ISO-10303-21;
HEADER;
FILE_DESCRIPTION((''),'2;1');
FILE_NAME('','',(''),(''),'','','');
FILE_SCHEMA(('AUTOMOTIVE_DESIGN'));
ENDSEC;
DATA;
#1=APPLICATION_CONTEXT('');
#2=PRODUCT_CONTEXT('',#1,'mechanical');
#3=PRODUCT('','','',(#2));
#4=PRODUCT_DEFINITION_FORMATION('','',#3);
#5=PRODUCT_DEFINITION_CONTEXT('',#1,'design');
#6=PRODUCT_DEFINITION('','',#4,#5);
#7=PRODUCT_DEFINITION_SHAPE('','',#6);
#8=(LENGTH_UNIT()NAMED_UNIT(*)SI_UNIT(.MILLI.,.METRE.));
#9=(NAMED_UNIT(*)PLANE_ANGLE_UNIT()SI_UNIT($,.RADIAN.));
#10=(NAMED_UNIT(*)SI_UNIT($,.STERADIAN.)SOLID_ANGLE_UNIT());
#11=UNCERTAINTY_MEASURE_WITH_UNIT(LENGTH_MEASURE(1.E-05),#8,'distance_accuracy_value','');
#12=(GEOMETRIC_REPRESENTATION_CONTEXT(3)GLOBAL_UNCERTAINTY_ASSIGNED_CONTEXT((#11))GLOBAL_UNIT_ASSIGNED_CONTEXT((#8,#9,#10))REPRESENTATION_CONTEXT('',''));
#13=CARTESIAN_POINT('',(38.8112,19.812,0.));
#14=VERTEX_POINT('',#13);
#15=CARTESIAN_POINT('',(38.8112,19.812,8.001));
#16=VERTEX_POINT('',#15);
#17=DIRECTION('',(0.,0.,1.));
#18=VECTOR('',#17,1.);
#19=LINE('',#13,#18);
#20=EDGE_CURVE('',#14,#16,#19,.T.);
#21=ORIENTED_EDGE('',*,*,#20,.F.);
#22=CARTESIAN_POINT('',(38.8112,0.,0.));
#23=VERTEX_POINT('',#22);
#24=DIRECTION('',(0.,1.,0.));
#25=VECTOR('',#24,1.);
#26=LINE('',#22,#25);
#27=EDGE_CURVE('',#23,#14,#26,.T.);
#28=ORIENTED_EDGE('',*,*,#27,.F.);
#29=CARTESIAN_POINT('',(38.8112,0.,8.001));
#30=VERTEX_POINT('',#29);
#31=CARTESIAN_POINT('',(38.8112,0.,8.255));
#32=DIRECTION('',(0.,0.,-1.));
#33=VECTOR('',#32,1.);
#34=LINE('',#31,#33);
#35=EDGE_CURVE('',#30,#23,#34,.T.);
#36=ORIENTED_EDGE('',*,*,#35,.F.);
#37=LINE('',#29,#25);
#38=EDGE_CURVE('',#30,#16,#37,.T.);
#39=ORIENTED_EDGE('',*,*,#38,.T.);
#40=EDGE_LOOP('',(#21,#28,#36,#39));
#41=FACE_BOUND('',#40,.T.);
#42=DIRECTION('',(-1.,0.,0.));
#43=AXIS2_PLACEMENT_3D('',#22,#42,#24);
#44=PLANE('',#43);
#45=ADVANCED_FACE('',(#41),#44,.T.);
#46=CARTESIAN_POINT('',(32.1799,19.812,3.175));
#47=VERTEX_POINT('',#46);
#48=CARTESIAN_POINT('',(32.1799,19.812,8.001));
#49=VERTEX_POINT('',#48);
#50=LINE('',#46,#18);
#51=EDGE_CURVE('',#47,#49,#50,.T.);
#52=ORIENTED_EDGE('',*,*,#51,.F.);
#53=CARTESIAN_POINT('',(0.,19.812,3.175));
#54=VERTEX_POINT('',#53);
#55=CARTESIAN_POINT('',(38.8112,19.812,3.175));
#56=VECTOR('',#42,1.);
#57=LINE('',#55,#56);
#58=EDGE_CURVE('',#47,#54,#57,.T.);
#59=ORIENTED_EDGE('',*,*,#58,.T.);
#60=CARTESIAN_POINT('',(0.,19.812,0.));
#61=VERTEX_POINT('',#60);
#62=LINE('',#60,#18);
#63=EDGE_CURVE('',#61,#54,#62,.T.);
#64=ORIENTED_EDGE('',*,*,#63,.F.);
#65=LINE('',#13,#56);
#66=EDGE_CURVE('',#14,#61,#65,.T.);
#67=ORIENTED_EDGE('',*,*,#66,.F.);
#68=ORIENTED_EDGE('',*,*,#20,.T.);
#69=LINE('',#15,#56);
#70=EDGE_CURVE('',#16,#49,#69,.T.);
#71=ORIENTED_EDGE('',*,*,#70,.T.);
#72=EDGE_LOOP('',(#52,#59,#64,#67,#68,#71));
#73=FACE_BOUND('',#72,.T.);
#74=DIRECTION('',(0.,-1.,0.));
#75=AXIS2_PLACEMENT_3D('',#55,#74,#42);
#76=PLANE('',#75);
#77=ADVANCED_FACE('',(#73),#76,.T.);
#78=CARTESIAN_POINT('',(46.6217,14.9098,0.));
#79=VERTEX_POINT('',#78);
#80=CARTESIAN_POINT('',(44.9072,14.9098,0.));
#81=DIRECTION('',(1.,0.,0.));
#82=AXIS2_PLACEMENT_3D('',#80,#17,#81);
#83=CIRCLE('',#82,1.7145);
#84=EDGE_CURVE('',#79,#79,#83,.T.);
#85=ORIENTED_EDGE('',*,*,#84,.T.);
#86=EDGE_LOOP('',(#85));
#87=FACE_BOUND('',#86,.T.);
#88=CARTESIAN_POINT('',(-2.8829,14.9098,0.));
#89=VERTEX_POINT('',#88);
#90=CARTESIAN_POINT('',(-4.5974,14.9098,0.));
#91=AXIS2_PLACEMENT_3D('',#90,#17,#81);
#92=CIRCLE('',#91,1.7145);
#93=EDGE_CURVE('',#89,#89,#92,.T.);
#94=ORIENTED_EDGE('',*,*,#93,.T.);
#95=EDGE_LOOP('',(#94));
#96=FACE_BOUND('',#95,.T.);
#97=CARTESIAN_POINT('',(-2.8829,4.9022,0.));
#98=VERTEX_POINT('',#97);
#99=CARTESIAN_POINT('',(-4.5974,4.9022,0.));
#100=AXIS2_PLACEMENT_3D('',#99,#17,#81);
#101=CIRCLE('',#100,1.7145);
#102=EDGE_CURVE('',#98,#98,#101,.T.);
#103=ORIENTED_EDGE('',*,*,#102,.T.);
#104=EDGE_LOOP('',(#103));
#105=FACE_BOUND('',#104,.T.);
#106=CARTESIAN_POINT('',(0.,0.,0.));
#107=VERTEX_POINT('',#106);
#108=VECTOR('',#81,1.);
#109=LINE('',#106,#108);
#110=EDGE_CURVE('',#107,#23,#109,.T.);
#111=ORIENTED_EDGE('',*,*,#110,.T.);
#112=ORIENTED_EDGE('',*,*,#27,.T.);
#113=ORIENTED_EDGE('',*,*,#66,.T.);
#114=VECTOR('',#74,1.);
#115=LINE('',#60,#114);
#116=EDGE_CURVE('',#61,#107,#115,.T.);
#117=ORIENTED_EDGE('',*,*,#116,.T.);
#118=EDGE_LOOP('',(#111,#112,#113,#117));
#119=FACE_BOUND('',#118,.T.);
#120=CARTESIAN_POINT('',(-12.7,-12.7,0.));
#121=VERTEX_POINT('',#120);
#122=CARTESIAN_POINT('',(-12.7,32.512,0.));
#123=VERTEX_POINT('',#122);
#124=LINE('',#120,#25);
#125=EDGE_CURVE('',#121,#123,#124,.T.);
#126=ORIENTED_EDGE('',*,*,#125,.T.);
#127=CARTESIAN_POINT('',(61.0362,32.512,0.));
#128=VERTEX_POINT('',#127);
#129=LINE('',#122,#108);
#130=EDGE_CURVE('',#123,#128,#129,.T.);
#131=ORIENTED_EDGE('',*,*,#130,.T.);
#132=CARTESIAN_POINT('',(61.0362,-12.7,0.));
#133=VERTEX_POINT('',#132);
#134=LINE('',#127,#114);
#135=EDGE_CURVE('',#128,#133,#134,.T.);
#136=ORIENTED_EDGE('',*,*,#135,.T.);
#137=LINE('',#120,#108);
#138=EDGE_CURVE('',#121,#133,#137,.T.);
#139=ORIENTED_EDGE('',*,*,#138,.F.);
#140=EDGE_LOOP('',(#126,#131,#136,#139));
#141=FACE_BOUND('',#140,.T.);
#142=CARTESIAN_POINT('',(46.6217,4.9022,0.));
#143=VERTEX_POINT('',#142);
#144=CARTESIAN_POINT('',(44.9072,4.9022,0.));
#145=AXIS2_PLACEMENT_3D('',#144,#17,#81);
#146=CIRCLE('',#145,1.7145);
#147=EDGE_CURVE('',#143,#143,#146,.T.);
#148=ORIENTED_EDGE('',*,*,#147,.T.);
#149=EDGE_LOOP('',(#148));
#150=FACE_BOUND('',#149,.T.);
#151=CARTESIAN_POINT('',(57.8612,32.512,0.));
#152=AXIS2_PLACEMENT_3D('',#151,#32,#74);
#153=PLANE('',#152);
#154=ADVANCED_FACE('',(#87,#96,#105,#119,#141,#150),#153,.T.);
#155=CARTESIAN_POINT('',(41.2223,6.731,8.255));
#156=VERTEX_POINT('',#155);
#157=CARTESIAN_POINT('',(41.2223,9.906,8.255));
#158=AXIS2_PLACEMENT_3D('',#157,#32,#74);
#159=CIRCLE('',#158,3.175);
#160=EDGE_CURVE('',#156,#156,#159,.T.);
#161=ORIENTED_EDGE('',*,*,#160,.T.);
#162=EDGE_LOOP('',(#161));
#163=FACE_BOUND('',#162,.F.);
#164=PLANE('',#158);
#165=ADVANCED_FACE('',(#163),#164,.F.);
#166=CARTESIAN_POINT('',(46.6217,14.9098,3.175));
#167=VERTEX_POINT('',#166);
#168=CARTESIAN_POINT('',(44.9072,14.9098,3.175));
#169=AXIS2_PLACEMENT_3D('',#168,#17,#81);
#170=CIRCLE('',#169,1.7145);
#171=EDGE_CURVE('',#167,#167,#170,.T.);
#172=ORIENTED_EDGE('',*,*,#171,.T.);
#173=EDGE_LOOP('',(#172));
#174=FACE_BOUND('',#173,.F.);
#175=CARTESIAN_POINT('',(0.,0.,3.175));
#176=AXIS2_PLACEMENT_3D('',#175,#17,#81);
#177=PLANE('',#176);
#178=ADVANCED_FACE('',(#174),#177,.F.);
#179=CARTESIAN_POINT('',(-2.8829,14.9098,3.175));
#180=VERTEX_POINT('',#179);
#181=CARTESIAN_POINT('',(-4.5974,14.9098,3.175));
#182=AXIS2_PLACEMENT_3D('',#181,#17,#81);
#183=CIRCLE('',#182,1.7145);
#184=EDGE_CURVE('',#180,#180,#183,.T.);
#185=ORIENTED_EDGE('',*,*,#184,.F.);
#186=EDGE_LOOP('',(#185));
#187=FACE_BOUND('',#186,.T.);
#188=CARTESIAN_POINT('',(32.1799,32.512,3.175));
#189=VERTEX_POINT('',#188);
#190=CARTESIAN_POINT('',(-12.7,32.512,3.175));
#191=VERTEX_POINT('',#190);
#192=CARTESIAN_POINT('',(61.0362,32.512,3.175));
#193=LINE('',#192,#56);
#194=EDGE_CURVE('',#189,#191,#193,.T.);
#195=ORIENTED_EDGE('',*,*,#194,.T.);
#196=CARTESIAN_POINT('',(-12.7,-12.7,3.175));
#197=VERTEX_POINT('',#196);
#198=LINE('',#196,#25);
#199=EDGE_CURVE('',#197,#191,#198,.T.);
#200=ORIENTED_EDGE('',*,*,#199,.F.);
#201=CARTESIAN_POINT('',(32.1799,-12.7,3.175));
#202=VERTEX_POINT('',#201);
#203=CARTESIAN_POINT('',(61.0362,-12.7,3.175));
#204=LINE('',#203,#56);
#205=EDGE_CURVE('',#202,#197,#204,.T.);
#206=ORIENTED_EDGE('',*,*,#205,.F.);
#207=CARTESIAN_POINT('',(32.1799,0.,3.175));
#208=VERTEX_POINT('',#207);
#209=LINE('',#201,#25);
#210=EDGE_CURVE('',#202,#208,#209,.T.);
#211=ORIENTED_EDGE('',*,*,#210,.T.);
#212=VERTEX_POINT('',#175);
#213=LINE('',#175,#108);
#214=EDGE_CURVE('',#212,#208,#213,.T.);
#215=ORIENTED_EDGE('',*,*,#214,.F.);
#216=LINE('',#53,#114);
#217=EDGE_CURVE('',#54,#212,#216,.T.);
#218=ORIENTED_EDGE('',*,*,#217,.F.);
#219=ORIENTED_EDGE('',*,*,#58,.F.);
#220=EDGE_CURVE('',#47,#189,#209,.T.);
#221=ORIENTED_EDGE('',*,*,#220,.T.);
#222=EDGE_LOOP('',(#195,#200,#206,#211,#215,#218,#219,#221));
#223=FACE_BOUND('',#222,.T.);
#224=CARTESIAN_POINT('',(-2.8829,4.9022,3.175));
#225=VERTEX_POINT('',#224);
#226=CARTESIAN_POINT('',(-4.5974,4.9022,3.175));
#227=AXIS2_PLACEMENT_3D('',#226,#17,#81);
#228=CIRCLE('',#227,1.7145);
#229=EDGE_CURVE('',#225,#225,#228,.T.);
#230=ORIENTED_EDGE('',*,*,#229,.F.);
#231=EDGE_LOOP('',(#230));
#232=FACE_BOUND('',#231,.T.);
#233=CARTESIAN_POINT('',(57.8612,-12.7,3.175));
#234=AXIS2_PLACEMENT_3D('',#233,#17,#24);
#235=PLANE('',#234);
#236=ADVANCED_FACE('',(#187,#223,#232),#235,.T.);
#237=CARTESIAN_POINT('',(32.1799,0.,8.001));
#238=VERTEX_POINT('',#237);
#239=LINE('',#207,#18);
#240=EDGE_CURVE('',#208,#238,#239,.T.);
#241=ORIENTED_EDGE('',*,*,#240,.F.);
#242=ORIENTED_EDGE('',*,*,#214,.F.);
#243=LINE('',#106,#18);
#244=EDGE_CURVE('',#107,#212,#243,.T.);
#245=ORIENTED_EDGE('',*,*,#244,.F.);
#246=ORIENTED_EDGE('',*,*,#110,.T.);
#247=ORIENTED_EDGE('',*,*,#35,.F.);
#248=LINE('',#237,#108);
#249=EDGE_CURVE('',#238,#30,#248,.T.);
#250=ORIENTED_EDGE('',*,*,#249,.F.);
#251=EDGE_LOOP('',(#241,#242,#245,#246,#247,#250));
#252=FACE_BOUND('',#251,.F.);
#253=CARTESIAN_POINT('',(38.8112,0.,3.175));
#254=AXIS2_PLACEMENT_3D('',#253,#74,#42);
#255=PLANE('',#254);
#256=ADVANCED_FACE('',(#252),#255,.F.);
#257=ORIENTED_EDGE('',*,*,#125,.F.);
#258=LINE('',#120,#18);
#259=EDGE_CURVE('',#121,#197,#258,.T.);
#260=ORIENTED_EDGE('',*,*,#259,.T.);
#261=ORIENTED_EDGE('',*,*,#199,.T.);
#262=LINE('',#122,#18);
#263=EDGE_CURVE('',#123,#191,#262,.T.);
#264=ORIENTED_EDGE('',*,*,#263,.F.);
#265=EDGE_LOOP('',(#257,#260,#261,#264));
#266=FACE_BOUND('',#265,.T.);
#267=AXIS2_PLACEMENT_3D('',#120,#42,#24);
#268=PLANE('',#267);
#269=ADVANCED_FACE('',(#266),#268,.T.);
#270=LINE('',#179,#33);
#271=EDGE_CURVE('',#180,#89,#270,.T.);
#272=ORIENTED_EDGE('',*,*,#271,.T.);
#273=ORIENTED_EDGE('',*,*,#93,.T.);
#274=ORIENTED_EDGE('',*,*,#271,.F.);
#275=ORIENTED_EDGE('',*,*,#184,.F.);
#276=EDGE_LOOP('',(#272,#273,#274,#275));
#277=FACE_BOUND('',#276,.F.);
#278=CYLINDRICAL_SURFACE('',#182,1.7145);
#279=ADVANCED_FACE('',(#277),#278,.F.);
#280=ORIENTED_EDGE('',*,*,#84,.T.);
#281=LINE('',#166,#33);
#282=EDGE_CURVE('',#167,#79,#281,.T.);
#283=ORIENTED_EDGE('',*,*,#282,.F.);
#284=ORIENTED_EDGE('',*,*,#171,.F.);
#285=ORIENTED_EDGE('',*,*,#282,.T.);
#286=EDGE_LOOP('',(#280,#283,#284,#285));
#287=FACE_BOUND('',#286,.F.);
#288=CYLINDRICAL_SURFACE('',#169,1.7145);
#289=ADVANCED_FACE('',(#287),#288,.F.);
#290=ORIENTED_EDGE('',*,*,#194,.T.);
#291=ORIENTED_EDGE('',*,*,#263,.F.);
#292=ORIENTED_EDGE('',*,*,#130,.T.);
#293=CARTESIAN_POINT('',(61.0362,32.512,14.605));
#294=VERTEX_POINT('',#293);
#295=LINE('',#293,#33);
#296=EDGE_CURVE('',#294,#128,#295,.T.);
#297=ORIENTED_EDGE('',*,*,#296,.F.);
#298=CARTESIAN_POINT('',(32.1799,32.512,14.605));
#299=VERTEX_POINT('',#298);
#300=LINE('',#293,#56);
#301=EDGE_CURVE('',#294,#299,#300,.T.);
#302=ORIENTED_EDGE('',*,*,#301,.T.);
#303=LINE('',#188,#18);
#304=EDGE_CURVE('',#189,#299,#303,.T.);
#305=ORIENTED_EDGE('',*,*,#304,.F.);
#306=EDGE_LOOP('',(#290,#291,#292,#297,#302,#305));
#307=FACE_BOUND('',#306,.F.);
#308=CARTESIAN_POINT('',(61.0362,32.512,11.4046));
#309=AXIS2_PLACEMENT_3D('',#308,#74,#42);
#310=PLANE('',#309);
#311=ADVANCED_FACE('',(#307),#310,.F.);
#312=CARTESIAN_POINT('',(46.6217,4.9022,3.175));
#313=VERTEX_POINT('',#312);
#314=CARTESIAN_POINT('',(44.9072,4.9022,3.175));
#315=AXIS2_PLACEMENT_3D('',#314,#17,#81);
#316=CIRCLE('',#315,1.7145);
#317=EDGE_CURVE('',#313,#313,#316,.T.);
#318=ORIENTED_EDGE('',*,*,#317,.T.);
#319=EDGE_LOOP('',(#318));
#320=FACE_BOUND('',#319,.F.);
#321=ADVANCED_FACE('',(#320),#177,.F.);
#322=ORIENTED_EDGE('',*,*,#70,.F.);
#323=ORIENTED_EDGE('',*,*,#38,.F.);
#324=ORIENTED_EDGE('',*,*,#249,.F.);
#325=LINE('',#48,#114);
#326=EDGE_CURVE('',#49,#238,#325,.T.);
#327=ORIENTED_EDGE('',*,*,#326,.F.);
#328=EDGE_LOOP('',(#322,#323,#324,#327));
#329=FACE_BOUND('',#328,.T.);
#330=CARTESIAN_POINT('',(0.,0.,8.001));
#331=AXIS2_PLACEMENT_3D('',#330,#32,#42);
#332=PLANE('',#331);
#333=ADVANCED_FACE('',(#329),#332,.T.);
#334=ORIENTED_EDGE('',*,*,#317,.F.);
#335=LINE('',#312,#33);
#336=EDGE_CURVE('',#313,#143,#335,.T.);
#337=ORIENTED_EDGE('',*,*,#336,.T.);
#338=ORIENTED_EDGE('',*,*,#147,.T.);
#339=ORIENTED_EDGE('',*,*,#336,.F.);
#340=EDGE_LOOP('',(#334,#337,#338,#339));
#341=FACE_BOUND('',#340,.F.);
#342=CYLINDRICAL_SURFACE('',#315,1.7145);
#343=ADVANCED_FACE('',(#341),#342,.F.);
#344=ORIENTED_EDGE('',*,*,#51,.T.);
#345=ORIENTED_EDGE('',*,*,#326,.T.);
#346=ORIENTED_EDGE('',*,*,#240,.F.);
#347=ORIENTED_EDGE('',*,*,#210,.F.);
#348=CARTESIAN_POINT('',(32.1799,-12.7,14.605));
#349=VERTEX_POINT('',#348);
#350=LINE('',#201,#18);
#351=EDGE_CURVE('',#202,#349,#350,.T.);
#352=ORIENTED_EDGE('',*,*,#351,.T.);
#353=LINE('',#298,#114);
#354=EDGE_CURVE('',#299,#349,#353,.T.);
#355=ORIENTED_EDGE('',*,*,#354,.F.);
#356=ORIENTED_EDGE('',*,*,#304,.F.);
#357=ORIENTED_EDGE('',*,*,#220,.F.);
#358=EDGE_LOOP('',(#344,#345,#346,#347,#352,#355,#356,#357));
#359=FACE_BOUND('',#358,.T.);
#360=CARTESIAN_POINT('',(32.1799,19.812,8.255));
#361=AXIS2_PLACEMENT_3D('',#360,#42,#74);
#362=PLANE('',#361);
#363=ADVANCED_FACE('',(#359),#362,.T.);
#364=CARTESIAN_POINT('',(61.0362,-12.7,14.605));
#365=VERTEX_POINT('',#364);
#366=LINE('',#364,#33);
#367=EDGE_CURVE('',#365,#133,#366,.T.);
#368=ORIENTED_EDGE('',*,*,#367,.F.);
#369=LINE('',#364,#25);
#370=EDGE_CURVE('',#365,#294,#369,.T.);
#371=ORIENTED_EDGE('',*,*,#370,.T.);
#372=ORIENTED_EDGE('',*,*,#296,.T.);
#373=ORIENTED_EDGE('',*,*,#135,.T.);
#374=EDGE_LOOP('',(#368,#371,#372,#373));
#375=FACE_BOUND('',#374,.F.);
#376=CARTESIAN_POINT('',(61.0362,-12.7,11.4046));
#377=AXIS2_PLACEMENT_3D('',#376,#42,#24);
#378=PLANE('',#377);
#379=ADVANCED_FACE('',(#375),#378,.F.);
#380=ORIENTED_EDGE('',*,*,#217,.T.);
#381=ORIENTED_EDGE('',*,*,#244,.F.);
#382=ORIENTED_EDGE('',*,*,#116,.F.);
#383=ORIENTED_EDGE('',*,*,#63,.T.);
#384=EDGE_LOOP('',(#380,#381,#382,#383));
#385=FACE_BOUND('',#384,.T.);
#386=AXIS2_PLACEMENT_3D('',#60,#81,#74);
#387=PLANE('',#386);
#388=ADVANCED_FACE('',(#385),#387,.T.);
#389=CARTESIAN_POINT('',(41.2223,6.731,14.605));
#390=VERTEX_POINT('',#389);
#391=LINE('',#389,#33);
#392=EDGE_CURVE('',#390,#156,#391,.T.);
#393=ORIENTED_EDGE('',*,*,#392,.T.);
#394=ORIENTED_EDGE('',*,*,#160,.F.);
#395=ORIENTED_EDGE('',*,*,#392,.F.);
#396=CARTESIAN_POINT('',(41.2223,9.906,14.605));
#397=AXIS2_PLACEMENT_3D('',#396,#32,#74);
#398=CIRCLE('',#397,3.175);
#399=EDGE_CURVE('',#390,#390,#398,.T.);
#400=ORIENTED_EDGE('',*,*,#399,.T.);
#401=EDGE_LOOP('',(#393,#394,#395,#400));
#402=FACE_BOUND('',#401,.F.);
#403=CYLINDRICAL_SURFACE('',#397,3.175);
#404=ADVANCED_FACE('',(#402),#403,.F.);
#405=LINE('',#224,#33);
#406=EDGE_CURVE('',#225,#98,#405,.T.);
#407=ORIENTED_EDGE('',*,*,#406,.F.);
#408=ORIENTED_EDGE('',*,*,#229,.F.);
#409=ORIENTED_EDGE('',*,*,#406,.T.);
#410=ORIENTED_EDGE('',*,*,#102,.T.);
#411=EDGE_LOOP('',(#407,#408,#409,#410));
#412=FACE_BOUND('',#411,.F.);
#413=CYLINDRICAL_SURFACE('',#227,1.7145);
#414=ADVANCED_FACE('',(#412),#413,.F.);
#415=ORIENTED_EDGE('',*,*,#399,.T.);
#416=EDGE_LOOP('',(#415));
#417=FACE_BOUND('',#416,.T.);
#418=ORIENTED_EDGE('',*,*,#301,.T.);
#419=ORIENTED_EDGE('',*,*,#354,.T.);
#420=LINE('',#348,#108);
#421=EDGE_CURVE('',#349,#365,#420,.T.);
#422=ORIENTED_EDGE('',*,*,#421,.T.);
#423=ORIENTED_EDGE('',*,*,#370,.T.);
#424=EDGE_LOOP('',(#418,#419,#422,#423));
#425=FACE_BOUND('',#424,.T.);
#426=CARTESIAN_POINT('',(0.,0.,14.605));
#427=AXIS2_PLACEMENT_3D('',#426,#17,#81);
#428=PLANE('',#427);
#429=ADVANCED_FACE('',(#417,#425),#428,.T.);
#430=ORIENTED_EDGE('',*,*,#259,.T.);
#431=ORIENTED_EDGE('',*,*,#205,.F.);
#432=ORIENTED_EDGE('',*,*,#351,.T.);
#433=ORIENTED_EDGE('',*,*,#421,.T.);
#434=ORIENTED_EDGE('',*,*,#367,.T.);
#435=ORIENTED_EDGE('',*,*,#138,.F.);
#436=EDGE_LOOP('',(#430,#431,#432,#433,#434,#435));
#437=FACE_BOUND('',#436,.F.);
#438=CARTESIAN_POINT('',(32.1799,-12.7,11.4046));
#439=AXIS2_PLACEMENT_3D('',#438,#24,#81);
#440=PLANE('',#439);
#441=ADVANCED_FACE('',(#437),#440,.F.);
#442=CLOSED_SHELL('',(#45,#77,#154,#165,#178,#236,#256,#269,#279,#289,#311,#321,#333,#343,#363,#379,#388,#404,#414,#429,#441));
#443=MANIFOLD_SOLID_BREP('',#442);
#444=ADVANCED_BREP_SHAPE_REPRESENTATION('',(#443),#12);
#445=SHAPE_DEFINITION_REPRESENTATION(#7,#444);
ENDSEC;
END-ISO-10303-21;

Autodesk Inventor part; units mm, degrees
ref_plane "YZ Plane" through (0, 0, 0) normal (1, 0, 0) x (0, 1, 0)
ref_plane "XZ Plane" through (0, 0, 0) normal (0, 1, 0) x (-1, 0, 0)
ref_plane "XY Plane" through (0, 0, 0) normal (0, 0, 1) x (1, 0, 0)
sketch "Sketch1" plane through (0, 0, 0) normal (0, 0, 1) x (1, 0, 0)
  line L0 (0, 0) -> (38.8112, 0)
  line L1 (38.8112, 0) -> (38.8112, 19.812)
  line L2 (38.8112, 19.812) -> (0, 19.812)
  line L3 (0, 19.812) -> (0, 0)
  line L4 (-12.7, -12.7) -> (-12.7, 32.512)
  line L5 (-12.7, 32.512) -> (57.8612, 32.512)
  line L6 (57.8612, 32.512) -> (57.8612, -12.7)
  line L7 (-12.7, -12.7) -> (57.8612, -12.7)
  dimension "d0" = 38.8112
  dimension "d1" = 19.812
  dimension "d56" = 12.7
  dimension "d57" = 19.05
extrude "Extrusion1" add sketch "Sketch1" along normal blind 3.175
sketch "Sketch2" plane through (0, 0, 3.175) normal (0, 0, 1) x (1, 0, 0)
  line L0 (0, 19.812) -> (0, 0) projected
  circle A0 centre (-4.5974, 4.9022) radius 1.0541
  line L1 (38.8112, 19.812) -> (38.8112, 0) projected
  circle A1 centre (44.9072, 4.9022) radius 1.0541
  circle A2 centre (44.9072, 14.9098) radius 1.0541
  circle A3 centre (-4.5974, 14.9098) radius 1.0541
  circle A4 centre (-4.5974, 4.9022) radius 1.7145
  circle A5 centre (-4.5974, 14.9098) radius 1.7145
  circle A6 centre (44.9072, 14.9098) radius 1.7145
  circle A7 centre (44.9072, 4.9022) radius 1.7145
  dimension "d10" = 2.1082
  dimension "d15" = 3.429
  dimension "d16" = 3.429
  dimension "d17" = 3.429
  dimension "d18" = 3.429
  dimension "d46" = 49.5046
  dimension "d47" = 49.5046
extrude "Extrusion2" cut sketch "Sketch2" against normal blind 3.175 contours A0 | A1 | A2 | A3 | A4 | A5 | A6 | A7
sketch "Sketch3" plane through (57.8612, -12.7, 0) normal (1, 0, 0) x (0, 0, -1)
  line L0 (0, 0) -> (-3.175, 0) projected
  line L1 (-3.175, 0) -> (-3.175, 45.212) projected
  line L2 (0, 0) -> (-3.175, 0)
  line L3 (-3.175, 0) -> (-3.175, 45.212)
  line L4 (-3.175, 45.212) -> (0, 45.212)
  line L5 (0, 45.212) -> (0, 0)
  point P0 (0, 12.7)
extrude "Extrusion3" add sketch "Sketch3" along normal blind 3.175
sketch "Sketch4" plane through (0, 0, 3.175) normal (0, 0, 1) x (1, 0, 0)
  line L0 (61.0362, 32.512) -> (61.0362, -12.7) projected
  line L1 (61.0362, 32.512) -> (57.8612, 32.512)
  line L2 (-12.7, 32.512) -> (61.0362, 32.512) projected
  line L3 (57.8612, 32.512) -> (51.2299, -12.7)
  line L4 (-12.7, -12.7) -> (61.0362, -12.7) projected
  line L5 (61.0362, -12.7) -> (51.2299, -12.7)
  point P0 (0, 0)
  dimension "d21" = 3.175
extrude "Extrusion4" add sketch "Sketch4" along normal blind 8.2296
sketch "Sketch8" plane through (0, 0, 3.175) normal (0, 0, 1) x (1, 0, 0)
  line L0 (51.2299, -12.7) -> (32.1799, -12.7)
  line L1 (-12.7, -12.7) -> (51.2299, -12.7) projected
  line L2 (38.8112, 0) -> (0, 0) projected
  line L3 (32.1799, -12.7) -> (32.1799, 32.512)
  line L4 (-12.7, 32.512) -> (57.8612, 32.512) projected
  line L5 (32.1799, 32.512) -> (57.8612, 32.512)
  line L6 (51.2299, -12.7) -> (57.8612, 32.512) projected
  line L7 (57.8612, 32.512) -> (51.2299, -12.7)
  dimension "d33" = 19.05
  dimension "d36" = 45.212
extrude "Extrusion7" add sketch "Sketch8" along normal blind 8.2296
sketch "Sketch9" plane through (0, 0, 11.4046) normal (0, 0, 1) x (1, 0, 0)
  line L0 (61.0362, -12.7) -> (61.0362, 32.512) projected
  line L1 (61.0362, 8.6893) -> (74.4982, 8.6893) construction
  line L2 (-12.7, 32.512) -> (61.0362, 32.512) projected
  line L3 (41.2242, 32.512) -> (63.8302, 32.512) construction
  circle A0 centre (41.2242, 9.906) radius 3.175
  point P0 (0, 0)
  dimension "d41" = 6.35
sketch "Sketch10" plane through (0, 0, 3.175) normal (0, 0, -1) x (-1, 0, 0)
  line L0 (-38.8112, 0) -> (-38.8112, 19.812) projected
  line L1 (-38.8112, 19.812) -> (-38.8112, 0)
  line L2 (-38.8112, 0) -> (-32.1799, 0)
  line L3 (-32.1799, 32.512) -> (-32.1799, -12.7) projected
  line L4 (-32.1799, 19.812) -> (-32.1799, 0)
  line L5 (-38.8112, 19.812) -> (0, 19.812) projected
  line L6 (-38.8112, 19.812) -> (-32.1799, 19.812)
  point P0 (0, 0)
extrude "Extrusion9" cut sketch "Sketch10" against normal blind 5.08
thread "Thread1" size "6-32 UNC" class "2B" standard "ANSI Unified Screw Threads" full length
thread "Thread2" size "6-32 UNC" class "2B" standard "ANSI Unified Screw Threads" full length
thread "Thread3" size "6-32 UNC" class "2B" standard "ANSI Unified Screw Threads" full length
thread "Thread4" size "6-32 UNC" class "2B" standard "ANSI Unified Screw Threads" full length
sketch "Sketch11" plane through (0, 0, 11.4046) normal (0, 0, 1) x (1, 0, 0)
  line L0 (32.1799, 32.512) -> (32.1799, -12.7) projected
  line L1 (32.1799, -12.7) -> (61.0362, -12.7)
  line L2 (61.0362, -12.7) -> (61.0362, 32.512)
  line L3 (61.0362, 32.512) -> (32.1799, 32.512)
  line L4 (32.1799, 32.512) -> (32.1799, -12.7)
  point P0 (0, 0)
extrude "Extrusion10" add sketch "Sketch11" along normal blind 3.2004
sketch "Sketch12" plane through (0, 0, 14.605) normal (0, 0, 1) x (1, 0, 0)
  point P0 (0, 0)
sketch "Sketch13" plane through (0, 0, 14.605) normal (0, 0, 1) x (1, 0, 0)
  line L0 (32.1799, 32.512) -> (32.1799, -12.7) projected
  line L1 (32.1799, 9.906) -> (41.2223, 9.906)
  line L2 (32.1799, -12.7) -> (61.0362, -12.7) projected
  line L3 (41.2223, -12.7) -> (41.2223, 9.906)
  circle A0 centre (41.2223, 9.906) radius 3.175
  point P0 (0, 0)
  dimension "d60" = 9.0424
  dimension "d61" = 22.606
  dimension "d62" = 6.35
hole "Hole1" at (41.2223, 9.906, 14.605) direction (0, 0, -1) diameter 6.35 depth 6.35
sketch "Sketch14" plane through (0, 0, 8.255) normal (0, 0, -1) x (-1, 0, 0)
  line L0 (-32.1799, 0) -> (-38.8112, 0) projected
  line L1 (-32.1799, 0) -> (-38.8112, 0)
  line L2 (-38.8112, 0) -> (-38.8112, 19.812)
  line L3 (-38.8112, 19.812) -> (-32.1799, 19.812)
  line L4 (-32.1799, 19.812) -> (-32.1799, 0)
  point P0 (0, 0)
extrude "Extrusion11" add sketch "Sketch14" along normal blind 0.254
thread "Thread5" size "1/4-20 UNC" class "2B" standard "ANSI Unified Screw Threads" full length
properties part number "ClawServoHolder"
